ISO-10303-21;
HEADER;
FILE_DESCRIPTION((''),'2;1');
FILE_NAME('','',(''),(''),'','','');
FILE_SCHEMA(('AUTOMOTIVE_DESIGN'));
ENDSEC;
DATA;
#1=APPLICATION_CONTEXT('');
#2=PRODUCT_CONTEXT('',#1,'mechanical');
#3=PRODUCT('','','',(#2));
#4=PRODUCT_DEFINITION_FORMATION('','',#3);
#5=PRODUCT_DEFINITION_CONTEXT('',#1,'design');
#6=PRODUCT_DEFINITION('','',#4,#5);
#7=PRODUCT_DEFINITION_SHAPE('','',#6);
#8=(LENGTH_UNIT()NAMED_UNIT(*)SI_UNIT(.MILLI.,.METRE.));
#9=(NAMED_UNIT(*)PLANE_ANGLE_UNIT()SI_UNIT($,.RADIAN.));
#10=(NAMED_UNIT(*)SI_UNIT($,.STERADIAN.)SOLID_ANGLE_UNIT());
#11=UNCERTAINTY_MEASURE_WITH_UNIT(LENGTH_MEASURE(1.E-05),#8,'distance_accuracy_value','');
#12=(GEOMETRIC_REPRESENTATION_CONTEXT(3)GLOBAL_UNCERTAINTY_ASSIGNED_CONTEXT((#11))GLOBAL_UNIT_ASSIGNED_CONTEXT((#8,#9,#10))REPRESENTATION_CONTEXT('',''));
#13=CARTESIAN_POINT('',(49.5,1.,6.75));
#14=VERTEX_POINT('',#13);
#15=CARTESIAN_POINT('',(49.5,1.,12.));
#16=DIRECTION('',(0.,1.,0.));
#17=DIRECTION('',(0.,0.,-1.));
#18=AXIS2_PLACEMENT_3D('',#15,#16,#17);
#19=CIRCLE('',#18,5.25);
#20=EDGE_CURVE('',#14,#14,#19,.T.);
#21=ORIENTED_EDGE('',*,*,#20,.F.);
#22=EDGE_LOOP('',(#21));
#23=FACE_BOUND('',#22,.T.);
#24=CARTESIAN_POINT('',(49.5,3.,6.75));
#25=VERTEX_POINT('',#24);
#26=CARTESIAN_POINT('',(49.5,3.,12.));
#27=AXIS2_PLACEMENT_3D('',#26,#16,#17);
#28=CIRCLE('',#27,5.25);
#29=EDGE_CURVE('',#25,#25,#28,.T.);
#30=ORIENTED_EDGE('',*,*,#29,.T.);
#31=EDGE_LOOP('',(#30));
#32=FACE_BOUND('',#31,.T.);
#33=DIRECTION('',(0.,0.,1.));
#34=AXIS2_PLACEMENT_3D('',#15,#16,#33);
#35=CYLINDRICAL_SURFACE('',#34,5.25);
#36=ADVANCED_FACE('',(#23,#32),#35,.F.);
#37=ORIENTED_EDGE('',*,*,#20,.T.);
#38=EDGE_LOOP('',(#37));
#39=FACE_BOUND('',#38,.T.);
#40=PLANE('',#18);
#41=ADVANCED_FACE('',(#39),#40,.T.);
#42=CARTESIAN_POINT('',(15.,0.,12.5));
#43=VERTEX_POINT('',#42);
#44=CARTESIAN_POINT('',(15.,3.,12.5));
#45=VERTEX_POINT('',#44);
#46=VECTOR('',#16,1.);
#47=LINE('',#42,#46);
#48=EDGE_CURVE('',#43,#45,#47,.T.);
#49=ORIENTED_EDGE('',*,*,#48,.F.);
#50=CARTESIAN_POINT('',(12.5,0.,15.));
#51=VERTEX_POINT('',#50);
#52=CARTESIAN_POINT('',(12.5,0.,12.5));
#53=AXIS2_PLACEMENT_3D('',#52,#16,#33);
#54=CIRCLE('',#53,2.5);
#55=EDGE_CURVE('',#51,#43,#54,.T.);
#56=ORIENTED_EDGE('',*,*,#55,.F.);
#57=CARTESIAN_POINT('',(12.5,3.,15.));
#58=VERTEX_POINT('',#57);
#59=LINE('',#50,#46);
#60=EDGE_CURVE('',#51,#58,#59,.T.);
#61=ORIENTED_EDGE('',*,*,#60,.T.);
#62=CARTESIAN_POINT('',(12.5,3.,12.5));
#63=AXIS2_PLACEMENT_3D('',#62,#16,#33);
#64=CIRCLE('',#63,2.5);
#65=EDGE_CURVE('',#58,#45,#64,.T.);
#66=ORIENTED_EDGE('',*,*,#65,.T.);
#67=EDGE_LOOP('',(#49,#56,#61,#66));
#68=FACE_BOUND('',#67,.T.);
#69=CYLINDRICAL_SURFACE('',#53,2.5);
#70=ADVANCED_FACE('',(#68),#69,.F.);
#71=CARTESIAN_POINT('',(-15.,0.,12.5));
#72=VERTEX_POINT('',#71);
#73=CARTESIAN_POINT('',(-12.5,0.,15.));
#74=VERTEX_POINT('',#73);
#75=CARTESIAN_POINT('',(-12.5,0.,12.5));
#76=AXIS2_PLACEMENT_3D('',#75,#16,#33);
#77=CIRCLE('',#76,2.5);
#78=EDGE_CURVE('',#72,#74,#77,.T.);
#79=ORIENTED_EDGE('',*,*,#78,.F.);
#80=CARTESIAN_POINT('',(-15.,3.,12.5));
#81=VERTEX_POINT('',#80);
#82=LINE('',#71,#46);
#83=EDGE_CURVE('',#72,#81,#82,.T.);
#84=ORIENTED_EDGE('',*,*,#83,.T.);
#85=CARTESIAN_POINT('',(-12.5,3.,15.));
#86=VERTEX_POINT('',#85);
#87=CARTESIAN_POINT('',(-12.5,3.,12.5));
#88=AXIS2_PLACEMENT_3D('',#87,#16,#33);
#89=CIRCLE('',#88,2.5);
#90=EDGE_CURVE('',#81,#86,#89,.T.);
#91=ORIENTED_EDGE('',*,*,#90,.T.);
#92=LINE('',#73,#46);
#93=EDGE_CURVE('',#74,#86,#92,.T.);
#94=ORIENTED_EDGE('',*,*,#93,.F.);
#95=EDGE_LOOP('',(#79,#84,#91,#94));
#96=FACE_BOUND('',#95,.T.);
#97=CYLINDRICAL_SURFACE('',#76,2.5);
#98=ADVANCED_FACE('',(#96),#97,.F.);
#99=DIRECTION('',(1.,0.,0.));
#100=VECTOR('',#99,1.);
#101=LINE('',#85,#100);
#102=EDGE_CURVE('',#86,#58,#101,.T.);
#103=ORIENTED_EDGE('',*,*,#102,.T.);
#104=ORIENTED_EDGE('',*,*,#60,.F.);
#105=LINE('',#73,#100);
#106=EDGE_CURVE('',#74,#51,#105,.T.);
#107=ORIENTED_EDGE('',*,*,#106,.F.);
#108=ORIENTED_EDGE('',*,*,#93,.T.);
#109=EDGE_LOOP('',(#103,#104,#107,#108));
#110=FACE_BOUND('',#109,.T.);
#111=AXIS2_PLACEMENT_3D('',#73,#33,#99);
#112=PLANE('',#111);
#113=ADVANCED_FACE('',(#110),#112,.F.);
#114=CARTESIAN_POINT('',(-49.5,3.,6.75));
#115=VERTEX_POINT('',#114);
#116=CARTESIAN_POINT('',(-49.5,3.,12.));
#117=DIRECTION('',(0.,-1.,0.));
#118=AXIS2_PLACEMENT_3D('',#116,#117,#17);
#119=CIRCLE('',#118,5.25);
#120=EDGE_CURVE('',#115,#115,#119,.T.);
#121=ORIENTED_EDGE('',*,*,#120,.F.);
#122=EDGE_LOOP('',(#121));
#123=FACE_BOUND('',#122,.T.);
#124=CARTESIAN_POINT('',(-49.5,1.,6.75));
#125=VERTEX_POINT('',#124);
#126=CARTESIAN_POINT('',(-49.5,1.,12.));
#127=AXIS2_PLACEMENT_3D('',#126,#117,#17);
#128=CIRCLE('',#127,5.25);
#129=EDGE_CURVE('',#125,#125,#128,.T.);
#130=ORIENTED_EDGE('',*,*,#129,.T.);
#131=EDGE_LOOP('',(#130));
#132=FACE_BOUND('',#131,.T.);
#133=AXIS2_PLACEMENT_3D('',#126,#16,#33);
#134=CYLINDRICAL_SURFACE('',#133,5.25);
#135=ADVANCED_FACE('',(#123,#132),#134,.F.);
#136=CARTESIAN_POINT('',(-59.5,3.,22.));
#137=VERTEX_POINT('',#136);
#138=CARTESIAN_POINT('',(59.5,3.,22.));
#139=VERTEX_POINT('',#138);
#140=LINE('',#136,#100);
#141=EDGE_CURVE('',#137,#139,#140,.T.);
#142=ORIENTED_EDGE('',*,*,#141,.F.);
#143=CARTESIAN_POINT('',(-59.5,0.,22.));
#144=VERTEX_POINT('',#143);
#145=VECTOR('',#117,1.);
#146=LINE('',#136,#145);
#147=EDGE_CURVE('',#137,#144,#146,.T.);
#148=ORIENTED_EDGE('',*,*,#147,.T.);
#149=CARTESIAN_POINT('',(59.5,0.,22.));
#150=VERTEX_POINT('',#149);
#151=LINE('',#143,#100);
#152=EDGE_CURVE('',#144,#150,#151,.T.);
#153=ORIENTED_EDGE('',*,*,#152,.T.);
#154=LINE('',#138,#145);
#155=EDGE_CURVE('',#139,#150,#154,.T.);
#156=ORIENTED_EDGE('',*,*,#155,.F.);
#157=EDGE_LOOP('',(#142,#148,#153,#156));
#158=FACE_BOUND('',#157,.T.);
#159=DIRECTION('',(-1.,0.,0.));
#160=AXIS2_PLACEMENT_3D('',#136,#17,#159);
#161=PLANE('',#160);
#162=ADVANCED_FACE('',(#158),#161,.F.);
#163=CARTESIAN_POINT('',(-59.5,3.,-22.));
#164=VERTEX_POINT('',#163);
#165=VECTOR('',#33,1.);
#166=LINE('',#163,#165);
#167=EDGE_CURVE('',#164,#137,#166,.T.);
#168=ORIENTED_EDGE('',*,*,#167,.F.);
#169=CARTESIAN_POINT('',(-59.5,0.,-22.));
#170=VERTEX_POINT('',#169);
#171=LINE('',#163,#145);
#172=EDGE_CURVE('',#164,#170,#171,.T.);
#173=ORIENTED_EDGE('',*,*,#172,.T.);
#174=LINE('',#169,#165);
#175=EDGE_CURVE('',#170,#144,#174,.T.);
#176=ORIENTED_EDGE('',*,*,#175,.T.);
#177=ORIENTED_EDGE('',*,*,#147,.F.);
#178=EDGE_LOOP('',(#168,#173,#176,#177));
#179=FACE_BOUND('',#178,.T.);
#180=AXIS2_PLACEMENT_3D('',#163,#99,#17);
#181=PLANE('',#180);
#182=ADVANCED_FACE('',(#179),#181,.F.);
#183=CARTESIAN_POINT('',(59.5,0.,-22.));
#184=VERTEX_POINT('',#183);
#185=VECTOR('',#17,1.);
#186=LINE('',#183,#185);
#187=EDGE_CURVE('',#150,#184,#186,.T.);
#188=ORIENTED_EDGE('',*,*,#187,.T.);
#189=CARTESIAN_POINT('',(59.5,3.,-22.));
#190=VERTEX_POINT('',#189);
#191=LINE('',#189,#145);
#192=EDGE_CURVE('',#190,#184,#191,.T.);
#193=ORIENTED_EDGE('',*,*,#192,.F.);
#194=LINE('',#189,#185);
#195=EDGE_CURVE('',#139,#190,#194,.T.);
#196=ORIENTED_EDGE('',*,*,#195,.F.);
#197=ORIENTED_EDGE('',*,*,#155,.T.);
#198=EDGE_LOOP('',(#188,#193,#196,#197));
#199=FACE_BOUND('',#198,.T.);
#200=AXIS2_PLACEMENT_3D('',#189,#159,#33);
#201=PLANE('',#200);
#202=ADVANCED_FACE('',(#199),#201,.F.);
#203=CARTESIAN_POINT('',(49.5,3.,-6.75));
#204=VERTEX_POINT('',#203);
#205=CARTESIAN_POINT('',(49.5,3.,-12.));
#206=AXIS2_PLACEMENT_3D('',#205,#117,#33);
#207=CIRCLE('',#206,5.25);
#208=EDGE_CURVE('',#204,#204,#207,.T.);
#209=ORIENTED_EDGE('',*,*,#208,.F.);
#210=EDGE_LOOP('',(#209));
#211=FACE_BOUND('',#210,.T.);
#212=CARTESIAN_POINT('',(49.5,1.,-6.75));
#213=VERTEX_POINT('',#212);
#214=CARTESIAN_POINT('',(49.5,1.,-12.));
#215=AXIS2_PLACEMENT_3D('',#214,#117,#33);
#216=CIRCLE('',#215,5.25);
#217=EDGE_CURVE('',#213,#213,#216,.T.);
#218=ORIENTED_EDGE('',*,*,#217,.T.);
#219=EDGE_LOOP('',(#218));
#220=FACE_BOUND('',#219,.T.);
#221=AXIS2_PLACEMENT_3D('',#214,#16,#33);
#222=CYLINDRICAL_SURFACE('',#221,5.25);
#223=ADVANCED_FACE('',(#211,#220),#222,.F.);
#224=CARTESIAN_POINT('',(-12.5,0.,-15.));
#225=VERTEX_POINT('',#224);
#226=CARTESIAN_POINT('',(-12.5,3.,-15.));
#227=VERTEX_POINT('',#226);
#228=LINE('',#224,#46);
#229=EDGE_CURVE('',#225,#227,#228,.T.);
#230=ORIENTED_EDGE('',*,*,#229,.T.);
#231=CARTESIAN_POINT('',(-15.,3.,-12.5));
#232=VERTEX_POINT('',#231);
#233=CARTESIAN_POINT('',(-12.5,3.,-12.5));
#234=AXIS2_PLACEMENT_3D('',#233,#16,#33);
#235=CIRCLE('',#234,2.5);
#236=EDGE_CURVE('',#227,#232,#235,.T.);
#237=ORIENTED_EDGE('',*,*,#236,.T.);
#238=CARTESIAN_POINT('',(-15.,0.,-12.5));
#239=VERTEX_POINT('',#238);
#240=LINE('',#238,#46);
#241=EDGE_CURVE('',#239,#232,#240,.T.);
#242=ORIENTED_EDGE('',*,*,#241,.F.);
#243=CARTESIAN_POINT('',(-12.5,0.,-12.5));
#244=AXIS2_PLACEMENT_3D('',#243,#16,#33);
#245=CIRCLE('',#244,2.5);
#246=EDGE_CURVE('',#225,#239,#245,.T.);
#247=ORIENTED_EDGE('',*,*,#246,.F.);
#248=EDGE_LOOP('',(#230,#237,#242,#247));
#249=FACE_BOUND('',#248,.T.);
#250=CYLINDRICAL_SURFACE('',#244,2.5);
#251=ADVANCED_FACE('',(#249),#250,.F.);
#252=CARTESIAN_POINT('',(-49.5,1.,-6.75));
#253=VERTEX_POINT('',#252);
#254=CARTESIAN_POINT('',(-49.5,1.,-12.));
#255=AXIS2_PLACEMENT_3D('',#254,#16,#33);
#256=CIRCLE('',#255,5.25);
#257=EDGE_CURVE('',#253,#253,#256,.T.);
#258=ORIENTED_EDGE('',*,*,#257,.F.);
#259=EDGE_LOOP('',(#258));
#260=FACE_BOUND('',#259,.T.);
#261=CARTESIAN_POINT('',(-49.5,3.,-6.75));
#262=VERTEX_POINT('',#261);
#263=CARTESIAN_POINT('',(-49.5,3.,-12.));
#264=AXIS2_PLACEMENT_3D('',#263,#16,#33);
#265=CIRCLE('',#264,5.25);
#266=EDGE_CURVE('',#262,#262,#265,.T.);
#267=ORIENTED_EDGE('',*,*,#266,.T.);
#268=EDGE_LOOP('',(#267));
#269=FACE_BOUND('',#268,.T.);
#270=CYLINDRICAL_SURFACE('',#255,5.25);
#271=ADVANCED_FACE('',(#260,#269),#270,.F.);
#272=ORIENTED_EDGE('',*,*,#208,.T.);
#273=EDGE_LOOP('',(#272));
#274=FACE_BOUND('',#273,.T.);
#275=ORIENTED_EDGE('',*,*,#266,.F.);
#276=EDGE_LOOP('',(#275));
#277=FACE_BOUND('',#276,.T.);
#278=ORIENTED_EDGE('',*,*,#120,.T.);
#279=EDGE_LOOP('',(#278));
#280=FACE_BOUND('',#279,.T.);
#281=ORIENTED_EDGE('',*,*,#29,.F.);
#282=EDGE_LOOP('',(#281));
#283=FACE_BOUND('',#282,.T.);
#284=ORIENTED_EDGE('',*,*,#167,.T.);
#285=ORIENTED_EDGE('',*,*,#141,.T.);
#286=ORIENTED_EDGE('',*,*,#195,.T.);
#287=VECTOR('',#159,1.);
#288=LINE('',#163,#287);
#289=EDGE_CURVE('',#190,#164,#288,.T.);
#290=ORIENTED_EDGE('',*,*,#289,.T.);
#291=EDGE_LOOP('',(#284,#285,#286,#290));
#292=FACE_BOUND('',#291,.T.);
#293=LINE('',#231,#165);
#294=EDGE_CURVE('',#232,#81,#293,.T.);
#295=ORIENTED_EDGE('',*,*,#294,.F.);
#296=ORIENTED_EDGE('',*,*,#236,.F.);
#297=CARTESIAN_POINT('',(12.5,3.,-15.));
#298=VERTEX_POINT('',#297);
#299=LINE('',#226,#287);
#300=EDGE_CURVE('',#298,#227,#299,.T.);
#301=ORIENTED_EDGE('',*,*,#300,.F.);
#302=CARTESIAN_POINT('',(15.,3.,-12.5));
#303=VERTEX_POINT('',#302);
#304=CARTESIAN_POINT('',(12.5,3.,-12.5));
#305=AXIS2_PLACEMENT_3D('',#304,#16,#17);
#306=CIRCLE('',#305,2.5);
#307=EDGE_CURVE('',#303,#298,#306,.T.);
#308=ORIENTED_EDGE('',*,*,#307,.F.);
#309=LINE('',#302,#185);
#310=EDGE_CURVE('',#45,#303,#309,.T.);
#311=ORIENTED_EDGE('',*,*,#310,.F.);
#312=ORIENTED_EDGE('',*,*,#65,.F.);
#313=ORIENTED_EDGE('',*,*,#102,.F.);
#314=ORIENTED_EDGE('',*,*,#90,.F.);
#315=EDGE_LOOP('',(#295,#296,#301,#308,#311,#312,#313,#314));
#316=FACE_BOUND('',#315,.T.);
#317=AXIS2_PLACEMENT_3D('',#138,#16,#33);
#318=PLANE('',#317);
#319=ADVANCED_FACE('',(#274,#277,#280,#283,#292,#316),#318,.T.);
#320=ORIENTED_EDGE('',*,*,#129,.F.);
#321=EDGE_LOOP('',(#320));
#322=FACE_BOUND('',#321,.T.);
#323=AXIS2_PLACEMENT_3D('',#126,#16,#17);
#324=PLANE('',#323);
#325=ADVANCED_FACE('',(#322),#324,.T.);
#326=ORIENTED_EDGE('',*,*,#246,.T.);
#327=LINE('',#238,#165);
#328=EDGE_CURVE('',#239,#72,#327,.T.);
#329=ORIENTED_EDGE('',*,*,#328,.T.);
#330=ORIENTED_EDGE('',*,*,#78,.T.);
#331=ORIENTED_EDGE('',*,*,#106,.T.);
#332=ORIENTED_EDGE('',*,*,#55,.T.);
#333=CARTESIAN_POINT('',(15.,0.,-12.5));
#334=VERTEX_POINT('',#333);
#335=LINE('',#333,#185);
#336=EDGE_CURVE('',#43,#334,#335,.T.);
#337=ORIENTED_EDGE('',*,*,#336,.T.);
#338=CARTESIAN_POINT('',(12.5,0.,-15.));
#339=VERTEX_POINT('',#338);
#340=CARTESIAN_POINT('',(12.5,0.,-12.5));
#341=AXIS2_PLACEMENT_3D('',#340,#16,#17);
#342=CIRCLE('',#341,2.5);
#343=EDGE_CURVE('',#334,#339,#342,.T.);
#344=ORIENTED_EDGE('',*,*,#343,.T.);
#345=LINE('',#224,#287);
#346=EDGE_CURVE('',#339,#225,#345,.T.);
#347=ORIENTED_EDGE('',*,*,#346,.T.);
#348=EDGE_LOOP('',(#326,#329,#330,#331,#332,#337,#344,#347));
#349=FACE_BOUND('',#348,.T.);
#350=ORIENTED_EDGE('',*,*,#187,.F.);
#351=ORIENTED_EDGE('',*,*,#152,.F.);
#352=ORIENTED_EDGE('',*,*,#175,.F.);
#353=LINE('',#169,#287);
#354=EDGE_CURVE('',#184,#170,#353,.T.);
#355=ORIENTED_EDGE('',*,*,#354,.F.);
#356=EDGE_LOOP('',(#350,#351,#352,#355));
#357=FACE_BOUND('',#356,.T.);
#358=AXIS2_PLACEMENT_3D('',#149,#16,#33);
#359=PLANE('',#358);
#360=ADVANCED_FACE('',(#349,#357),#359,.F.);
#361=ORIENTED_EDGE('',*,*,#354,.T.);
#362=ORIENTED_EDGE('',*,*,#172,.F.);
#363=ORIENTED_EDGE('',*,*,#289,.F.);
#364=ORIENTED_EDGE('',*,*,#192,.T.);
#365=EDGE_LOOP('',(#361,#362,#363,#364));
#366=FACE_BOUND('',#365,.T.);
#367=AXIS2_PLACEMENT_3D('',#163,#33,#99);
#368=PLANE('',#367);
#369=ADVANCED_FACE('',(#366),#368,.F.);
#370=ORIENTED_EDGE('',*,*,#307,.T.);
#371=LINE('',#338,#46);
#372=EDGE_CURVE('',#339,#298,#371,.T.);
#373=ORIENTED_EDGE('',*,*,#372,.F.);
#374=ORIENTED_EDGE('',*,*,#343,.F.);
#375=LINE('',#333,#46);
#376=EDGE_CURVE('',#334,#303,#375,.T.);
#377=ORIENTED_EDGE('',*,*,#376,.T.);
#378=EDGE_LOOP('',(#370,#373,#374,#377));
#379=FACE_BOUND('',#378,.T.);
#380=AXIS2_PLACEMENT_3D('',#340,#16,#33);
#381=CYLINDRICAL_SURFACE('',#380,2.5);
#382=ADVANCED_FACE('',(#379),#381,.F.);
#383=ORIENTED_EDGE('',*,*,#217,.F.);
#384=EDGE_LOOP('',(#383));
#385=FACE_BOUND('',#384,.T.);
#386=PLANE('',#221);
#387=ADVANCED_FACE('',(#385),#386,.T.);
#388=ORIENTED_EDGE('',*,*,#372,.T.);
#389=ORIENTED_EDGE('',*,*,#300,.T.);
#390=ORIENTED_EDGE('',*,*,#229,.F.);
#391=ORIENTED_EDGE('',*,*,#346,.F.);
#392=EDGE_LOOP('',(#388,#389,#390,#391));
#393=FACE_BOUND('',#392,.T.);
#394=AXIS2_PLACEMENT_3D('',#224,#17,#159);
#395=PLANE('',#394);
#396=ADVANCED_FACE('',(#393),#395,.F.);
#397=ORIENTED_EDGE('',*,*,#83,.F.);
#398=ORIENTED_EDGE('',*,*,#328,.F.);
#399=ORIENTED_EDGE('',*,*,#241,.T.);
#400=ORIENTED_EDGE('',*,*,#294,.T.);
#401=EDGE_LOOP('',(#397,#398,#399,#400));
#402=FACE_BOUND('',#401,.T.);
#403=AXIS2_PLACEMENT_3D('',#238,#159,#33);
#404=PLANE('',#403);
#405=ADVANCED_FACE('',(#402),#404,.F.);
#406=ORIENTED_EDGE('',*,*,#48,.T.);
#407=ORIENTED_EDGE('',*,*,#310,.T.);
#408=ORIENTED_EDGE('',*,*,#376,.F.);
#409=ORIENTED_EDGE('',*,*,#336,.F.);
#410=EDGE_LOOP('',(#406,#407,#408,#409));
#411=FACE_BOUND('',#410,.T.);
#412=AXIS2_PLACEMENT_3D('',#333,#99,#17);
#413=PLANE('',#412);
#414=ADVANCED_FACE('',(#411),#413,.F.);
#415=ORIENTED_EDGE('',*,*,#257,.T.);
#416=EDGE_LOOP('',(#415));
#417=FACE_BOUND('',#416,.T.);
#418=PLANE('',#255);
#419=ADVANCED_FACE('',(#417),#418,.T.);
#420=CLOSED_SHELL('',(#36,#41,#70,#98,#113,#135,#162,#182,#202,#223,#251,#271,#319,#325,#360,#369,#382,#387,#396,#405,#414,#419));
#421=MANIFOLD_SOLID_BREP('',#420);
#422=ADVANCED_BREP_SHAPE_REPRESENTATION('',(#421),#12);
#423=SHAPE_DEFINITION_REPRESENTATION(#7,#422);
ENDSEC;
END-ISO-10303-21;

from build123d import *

# Parameters (mm, degrees)
ESBO_O1_W                 = 119
ESBO_O1_H                 = 44
EXTRUS_O1_DEPTH           = 3
ESBO_O2_R                 = 5.25
EXTRUS_O2_DEPTH           = 2
ESPELHAR2_COPY_1_SKETCH_R = 5.25
ESPELHAR2_COPY_1_DEPTH    = 2
EXTRUS_O3_DEPTH           = 3


with BuildPart() as part:
    # Esboço1 → Extrusão1 (new body)
    with BuildSketch(Plane(origin=(0, 0, 0), x_dir=(1, 0, 0), z_dir=(0, 1, 0))):
        Rectangle(ESBO_O1_W, ESBO_O1_H)
    extrude(amount=EXTRUS_O1_DEPTH)

    # Esboço2 → Extrusão2 (cut)
    with BuildSketch(Plane(origin=(0, 3, 0), x_dir=(1, 0, 0), z_dir=(0, 1, 0))):
        with Locations(Location((-49.5, 12, 0), (0, 0, 270))):
            Circle(ESBO_O2_R)
    extrus_o2 = extrude(amount=-EXTRUS_O2_DEPTH, mode=Mode.SUBTRACT)

    # Espelhar1: Extrusão2 across plane
    add(extrus_o2.mirror(Plane(origin=(0, 0, 0), x_dir=(0, 0, 1), z_dir=(1, 0, 0))), mode=Mode.SUBTRACT)

    # Espelhar2: Extrusão2 across plane
    add(extrus_o2.mirror(Plane.XY), mode=Mode.SUBTRACT)

    # Espelhar2 copy 1 sketch → Espelhar2 copy 1 (cut)
    with BuildSketch(Plane(origin=(0, 3, 0), x_dir=(-1, 0, 0), z_dir=(0, 1, 0))):
        with Locations(Location((-49.5, 12, 0), (0, 0, 270))):
            Circle(ESPELHAR2_COPY_1_SKETCH_R)
    extrude(amount=-ESPELHAR2_COPY_1_DEPTH, mode=Mode.SUBTRACT)

    # Esboço3 → Extrusão3 (cut)
    with BuildSketch(Plane(origin=(0, 3, 0), x_dir=(1, 0, 0), z_dir=(0, 1, 0))):
        with BuildLine():
            Line((-12.5, 15), (12.5, 15))
            ThreePointArc((12.5, 15), (14.267766953, 14.267766953), (15, 12.5))
            Line((15, 12.5), (15, -12.5))
            ThreePointArc((15, -12.5), (14.267766953, -14.267766953), (12.5, -15))
            Line((12.5, -15), (-12.5, -15))
            ThreePointArc((-12.5, -15), (-14.267766953, -14.267766953), (-15, -12.5))
            Line((-15, -12.5), (-15, 12.5))
            ThreePointArc((-15, 12.5), (-14.267766953, 14.267766953), (-12.5, 15))
        make_face()
    extrude(amount=-EXTRUS_O3_DEPTH, mode=Mode.SUBTRACT)


solid = part.part
